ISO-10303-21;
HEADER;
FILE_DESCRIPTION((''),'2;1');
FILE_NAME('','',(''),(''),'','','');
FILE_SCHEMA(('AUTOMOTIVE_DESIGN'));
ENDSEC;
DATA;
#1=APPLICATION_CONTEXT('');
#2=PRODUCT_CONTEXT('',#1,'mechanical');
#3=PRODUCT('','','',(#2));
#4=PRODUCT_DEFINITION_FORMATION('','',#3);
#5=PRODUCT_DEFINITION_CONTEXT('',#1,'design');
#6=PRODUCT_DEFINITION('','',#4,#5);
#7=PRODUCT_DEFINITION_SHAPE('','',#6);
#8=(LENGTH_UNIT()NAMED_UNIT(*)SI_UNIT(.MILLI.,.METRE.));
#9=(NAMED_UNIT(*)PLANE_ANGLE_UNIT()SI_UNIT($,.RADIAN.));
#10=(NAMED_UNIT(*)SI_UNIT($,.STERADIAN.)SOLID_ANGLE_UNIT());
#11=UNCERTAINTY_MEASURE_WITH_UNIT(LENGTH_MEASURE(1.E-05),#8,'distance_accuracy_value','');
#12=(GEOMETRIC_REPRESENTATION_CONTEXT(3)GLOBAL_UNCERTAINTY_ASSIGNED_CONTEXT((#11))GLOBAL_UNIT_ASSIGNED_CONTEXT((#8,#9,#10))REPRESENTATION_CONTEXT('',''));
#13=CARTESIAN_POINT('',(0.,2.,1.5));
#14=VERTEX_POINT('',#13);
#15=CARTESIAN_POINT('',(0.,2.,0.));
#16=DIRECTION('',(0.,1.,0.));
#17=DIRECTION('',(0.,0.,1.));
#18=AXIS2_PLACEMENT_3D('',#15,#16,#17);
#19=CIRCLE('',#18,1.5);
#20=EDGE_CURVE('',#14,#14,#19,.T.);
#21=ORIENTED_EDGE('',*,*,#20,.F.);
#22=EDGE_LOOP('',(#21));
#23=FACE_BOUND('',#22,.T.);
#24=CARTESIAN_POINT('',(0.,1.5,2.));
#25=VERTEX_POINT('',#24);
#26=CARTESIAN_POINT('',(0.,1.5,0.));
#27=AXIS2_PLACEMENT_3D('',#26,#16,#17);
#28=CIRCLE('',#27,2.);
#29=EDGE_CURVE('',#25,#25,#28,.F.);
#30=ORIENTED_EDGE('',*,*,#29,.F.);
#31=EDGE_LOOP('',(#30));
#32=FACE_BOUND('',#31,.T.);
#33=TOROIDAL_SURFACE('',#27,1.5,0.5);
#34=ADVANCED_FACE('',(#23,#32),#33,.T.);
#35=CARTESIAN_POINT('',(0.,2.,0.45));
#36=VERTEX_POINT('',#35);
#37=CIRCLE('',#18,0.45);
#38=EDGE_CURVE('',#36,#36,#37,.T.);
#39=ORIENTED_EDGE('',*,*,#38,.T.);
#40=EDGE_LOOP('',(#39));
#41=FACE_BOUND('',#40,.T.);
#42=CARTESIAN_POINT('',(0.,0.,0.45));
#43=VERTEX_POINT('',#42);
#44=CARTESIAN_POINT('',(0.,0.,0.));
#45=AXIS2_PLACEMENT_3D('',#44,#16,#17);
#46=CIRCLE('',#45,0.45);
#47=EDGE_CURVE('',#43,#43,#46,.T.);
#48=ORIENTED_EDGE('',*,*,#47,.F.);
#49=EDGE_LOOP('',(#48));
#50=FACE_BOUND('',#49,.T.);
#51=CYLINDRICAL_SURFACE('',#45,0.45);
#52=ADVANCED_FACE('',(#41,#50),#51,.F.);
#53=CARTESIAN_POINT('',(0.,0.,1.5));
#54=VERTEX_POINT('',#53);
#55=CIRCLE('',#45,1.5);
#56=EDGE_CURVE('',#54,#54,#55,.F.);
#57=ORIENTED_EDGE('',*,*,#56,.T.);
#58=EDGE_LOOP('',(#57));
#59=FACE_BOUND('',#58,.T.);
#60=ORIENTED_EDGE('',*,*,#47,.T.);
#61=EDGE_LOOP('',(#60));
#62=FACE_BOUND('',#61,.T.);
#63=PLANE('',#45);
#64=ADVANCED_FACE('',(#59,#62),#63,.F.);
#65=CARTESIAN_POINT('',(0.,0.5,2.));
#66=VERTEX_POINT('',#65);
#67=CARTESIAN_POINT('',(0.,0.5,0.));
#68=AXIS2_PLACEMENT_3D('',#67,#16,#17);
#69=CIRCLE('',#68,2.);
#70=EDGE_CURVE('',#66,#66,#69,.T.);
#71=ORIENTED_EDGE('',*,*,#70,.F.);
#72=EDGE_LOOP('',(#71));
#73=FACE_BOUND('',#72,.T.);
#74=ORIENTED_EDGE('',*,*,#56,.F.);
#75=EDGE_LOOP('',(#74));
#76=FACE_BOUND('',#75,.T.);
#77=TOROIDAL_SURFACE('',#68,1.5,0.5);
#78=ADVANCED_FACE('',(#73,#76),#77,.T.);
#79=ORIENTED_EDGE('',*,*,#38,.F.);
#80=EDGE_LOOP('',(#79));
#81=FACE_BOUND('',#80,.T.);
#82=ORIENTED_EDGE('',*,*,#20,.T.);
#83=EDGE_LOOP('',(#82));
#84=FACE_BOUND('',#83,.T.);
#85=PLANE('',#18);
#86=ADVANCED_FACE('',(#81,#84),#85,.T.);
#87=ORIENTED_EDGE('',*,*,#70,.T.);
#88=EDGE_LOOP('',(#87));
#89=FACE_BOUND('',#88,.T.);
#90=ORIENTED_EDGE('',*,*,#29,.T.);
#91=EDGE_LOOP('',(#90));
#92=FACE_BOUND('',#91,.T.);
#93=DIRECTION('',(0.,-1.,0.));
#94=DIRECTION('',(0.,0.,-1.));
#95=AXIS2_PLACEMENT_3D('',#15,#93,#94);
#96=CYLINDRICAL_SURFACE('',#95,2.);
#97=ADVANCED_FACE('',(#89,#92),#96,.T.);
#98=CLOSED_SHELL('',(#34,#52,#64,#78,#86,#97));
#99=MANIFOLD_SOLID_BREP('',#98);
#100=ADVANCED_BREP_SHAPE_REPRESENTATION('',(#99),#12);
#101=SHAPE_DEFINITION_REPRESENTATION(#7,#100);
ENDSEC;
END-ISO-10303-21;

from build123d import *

# Parameters (mm, degrees)
SKETCH_1_R          = 2
EXTRUDE_1_DEPTH     = 2
SKETCH_2_R          = 0.45
CUT_EXTRUDE_1_DEPTH = 3
FILLET_1_R          = 0.5


with BuildPart() as part:
    # 草图1 → 凸台-拉伸1 (new body)
    with BuildSketch(Plane(origin=(0, 0, 0), x_dir=(1, 0, 0), z_dir=(0, 1, 0))):
        Circle(SKETCH_1_R)
    extrude(amount=EXTRUDE_1_DEPTH)

    # 草图2 → 切除-拉伸1 (cut, through all)
    with BuildSketch(Plane(origin=(0, 2, 0), x_dir=(1, 0, 0), z_dir=(0, 1, 0))):
        Circle(SKETCH_2_R)
    extrude(amount=-CUT_EXTRUDE_1_DEPTH, mode=Mode.SUBTRACT)

    # 圆角1
    fillet_1_edges = [part.edges().sort_by_distance(p)[0] for p in [
        (-2, 0, 0),
        (-2, 2, 0),
    ]]
    fillet(fillet_1_edges, radius=FILLET_1_R)


solid = part.part
